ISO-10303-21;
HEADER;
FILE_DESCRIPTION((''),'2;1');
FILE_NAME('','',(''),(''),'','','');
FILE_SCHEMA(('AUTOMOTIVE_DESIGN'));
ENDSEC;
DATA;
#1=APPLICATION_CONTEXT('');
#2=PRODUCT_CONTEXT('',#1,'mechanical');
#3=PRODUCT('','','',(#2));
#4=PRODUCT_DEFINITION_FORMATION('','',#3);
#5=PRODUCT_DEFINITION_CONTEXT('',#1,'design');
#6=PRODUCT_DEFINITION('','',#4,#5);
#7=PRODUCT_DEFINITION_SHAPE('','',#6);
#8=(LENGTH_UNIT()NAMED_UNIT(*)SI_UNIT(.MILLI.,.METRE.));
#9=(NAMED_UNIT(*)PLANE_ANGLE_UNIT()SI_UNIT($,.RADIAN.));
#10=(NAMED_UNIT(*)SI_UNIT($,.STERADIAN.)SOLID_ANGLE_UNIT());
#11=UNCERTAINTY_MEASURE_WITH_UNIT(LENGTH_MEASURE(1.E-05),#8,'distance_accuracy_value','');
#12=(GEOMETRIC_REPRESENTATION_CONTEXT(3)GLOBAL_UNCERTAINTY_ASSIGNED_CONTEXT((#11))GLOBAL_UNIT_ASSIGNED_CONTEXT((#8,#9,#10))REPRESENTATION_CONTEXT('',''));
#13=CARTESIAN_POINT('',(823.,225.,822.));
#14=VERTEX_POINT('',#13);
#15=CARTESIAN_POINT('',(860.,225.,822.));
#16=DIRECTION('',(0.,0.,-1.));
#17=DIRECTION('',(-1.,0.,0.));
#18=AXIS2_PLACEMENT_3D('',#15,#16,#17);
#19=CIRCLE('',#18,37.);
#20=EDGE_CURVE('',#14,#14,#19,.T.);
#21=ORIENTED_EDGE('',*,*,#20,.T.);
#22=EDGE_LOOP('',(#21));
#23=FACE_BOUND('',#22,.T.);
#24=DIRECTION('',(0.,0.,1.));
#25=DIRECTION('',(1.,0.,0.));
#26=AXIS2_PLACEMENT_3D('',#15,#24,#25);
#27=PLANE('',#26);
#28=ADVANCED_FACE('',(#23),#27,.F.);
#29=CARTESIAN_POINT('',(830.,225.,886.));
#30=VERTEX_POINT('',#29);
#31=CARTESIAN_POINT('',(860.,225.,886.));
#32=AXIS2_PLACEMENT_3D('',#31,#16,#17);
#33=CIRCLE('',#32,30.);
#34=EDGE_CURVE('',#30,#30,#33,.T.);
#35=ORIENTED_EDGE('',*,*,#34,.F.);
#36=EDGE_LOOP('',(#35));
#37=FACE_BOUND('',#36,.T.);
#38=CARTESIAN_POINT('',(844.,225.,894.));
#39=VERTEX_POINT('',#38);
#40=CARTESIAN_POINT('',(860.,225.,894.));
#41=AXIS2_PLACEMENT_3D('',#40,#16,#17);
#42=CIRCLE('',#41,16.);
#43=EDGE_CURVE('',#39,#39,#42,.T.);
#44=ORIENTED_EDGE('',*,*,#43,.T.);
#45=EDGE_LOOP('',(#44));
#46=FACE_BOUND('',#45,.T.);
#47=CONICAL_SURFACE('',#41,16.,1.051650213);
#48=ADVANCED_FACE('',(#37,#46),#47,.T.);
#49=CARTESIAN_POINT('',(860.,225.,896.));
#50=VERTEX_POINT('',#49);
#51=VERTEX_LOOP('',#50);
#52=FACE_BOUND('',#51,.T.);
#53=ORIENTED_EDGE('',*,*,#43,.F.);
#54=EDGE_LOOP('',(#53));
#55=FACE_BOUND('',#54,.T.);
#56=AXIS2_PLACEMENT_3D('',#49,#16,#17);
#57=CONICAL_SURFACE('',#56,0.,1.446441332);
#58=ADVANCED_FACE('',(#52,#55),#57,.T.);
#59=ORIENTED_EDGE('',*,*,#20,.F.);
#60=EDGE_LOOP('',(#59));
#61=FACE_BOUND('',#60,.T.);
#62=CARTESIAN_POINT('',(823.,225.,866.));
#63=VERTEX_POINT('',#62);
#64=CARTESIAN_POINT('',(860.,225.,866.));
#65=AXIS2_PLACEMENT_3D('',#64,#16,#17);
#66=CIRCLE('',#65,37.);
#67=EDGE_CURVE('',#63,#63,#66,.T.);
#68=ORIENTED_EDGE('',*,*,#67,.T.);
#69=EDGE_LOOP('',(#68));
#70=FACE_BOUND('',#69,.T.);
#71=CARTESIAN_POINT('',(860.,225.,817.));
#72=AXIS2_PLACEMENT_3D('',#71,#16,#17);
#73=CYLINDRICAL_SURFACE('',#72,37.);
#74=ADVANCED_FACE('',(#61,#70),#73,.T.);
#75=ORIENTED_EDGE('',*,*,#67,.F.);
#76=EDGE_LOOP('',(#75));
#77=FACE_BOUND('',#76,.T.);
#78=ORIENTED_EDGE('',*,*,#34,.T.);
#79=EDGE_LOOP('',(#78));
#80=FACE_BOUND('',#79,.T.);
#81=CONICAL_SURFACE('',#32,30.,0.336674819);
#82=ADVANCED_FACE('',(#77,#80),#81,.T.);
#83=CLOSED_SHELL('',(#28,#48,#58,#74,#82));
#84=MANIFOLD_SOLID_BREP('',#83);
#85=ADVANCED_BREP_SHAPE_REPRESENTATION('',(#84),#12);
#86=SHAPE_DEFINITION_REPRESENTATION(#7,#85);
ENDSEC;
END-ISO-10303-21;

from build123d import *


with BuildPart() as part:
    # Revolve profile 1 → Revolve 1 (revolve)
    with BuildSketch(Plane(origin=(0, 225, 0), x_dir=(1, 0, 0), z_dir=(0, 1, 0)), mode=Mode.PRIVATE) as revolve_1_sk:
        Polygon((860, -896), (860, -822), (897, -822), (897, -866), (890, -886), (876, -894), align=None)
    revolve(revolve_1_sk.sketch.rotate(Axis((860, 225, 817), (0, 0, 1)), 180), axis=Axis((860, 225, 817), (0, 0, 1)))


solid = part.part
